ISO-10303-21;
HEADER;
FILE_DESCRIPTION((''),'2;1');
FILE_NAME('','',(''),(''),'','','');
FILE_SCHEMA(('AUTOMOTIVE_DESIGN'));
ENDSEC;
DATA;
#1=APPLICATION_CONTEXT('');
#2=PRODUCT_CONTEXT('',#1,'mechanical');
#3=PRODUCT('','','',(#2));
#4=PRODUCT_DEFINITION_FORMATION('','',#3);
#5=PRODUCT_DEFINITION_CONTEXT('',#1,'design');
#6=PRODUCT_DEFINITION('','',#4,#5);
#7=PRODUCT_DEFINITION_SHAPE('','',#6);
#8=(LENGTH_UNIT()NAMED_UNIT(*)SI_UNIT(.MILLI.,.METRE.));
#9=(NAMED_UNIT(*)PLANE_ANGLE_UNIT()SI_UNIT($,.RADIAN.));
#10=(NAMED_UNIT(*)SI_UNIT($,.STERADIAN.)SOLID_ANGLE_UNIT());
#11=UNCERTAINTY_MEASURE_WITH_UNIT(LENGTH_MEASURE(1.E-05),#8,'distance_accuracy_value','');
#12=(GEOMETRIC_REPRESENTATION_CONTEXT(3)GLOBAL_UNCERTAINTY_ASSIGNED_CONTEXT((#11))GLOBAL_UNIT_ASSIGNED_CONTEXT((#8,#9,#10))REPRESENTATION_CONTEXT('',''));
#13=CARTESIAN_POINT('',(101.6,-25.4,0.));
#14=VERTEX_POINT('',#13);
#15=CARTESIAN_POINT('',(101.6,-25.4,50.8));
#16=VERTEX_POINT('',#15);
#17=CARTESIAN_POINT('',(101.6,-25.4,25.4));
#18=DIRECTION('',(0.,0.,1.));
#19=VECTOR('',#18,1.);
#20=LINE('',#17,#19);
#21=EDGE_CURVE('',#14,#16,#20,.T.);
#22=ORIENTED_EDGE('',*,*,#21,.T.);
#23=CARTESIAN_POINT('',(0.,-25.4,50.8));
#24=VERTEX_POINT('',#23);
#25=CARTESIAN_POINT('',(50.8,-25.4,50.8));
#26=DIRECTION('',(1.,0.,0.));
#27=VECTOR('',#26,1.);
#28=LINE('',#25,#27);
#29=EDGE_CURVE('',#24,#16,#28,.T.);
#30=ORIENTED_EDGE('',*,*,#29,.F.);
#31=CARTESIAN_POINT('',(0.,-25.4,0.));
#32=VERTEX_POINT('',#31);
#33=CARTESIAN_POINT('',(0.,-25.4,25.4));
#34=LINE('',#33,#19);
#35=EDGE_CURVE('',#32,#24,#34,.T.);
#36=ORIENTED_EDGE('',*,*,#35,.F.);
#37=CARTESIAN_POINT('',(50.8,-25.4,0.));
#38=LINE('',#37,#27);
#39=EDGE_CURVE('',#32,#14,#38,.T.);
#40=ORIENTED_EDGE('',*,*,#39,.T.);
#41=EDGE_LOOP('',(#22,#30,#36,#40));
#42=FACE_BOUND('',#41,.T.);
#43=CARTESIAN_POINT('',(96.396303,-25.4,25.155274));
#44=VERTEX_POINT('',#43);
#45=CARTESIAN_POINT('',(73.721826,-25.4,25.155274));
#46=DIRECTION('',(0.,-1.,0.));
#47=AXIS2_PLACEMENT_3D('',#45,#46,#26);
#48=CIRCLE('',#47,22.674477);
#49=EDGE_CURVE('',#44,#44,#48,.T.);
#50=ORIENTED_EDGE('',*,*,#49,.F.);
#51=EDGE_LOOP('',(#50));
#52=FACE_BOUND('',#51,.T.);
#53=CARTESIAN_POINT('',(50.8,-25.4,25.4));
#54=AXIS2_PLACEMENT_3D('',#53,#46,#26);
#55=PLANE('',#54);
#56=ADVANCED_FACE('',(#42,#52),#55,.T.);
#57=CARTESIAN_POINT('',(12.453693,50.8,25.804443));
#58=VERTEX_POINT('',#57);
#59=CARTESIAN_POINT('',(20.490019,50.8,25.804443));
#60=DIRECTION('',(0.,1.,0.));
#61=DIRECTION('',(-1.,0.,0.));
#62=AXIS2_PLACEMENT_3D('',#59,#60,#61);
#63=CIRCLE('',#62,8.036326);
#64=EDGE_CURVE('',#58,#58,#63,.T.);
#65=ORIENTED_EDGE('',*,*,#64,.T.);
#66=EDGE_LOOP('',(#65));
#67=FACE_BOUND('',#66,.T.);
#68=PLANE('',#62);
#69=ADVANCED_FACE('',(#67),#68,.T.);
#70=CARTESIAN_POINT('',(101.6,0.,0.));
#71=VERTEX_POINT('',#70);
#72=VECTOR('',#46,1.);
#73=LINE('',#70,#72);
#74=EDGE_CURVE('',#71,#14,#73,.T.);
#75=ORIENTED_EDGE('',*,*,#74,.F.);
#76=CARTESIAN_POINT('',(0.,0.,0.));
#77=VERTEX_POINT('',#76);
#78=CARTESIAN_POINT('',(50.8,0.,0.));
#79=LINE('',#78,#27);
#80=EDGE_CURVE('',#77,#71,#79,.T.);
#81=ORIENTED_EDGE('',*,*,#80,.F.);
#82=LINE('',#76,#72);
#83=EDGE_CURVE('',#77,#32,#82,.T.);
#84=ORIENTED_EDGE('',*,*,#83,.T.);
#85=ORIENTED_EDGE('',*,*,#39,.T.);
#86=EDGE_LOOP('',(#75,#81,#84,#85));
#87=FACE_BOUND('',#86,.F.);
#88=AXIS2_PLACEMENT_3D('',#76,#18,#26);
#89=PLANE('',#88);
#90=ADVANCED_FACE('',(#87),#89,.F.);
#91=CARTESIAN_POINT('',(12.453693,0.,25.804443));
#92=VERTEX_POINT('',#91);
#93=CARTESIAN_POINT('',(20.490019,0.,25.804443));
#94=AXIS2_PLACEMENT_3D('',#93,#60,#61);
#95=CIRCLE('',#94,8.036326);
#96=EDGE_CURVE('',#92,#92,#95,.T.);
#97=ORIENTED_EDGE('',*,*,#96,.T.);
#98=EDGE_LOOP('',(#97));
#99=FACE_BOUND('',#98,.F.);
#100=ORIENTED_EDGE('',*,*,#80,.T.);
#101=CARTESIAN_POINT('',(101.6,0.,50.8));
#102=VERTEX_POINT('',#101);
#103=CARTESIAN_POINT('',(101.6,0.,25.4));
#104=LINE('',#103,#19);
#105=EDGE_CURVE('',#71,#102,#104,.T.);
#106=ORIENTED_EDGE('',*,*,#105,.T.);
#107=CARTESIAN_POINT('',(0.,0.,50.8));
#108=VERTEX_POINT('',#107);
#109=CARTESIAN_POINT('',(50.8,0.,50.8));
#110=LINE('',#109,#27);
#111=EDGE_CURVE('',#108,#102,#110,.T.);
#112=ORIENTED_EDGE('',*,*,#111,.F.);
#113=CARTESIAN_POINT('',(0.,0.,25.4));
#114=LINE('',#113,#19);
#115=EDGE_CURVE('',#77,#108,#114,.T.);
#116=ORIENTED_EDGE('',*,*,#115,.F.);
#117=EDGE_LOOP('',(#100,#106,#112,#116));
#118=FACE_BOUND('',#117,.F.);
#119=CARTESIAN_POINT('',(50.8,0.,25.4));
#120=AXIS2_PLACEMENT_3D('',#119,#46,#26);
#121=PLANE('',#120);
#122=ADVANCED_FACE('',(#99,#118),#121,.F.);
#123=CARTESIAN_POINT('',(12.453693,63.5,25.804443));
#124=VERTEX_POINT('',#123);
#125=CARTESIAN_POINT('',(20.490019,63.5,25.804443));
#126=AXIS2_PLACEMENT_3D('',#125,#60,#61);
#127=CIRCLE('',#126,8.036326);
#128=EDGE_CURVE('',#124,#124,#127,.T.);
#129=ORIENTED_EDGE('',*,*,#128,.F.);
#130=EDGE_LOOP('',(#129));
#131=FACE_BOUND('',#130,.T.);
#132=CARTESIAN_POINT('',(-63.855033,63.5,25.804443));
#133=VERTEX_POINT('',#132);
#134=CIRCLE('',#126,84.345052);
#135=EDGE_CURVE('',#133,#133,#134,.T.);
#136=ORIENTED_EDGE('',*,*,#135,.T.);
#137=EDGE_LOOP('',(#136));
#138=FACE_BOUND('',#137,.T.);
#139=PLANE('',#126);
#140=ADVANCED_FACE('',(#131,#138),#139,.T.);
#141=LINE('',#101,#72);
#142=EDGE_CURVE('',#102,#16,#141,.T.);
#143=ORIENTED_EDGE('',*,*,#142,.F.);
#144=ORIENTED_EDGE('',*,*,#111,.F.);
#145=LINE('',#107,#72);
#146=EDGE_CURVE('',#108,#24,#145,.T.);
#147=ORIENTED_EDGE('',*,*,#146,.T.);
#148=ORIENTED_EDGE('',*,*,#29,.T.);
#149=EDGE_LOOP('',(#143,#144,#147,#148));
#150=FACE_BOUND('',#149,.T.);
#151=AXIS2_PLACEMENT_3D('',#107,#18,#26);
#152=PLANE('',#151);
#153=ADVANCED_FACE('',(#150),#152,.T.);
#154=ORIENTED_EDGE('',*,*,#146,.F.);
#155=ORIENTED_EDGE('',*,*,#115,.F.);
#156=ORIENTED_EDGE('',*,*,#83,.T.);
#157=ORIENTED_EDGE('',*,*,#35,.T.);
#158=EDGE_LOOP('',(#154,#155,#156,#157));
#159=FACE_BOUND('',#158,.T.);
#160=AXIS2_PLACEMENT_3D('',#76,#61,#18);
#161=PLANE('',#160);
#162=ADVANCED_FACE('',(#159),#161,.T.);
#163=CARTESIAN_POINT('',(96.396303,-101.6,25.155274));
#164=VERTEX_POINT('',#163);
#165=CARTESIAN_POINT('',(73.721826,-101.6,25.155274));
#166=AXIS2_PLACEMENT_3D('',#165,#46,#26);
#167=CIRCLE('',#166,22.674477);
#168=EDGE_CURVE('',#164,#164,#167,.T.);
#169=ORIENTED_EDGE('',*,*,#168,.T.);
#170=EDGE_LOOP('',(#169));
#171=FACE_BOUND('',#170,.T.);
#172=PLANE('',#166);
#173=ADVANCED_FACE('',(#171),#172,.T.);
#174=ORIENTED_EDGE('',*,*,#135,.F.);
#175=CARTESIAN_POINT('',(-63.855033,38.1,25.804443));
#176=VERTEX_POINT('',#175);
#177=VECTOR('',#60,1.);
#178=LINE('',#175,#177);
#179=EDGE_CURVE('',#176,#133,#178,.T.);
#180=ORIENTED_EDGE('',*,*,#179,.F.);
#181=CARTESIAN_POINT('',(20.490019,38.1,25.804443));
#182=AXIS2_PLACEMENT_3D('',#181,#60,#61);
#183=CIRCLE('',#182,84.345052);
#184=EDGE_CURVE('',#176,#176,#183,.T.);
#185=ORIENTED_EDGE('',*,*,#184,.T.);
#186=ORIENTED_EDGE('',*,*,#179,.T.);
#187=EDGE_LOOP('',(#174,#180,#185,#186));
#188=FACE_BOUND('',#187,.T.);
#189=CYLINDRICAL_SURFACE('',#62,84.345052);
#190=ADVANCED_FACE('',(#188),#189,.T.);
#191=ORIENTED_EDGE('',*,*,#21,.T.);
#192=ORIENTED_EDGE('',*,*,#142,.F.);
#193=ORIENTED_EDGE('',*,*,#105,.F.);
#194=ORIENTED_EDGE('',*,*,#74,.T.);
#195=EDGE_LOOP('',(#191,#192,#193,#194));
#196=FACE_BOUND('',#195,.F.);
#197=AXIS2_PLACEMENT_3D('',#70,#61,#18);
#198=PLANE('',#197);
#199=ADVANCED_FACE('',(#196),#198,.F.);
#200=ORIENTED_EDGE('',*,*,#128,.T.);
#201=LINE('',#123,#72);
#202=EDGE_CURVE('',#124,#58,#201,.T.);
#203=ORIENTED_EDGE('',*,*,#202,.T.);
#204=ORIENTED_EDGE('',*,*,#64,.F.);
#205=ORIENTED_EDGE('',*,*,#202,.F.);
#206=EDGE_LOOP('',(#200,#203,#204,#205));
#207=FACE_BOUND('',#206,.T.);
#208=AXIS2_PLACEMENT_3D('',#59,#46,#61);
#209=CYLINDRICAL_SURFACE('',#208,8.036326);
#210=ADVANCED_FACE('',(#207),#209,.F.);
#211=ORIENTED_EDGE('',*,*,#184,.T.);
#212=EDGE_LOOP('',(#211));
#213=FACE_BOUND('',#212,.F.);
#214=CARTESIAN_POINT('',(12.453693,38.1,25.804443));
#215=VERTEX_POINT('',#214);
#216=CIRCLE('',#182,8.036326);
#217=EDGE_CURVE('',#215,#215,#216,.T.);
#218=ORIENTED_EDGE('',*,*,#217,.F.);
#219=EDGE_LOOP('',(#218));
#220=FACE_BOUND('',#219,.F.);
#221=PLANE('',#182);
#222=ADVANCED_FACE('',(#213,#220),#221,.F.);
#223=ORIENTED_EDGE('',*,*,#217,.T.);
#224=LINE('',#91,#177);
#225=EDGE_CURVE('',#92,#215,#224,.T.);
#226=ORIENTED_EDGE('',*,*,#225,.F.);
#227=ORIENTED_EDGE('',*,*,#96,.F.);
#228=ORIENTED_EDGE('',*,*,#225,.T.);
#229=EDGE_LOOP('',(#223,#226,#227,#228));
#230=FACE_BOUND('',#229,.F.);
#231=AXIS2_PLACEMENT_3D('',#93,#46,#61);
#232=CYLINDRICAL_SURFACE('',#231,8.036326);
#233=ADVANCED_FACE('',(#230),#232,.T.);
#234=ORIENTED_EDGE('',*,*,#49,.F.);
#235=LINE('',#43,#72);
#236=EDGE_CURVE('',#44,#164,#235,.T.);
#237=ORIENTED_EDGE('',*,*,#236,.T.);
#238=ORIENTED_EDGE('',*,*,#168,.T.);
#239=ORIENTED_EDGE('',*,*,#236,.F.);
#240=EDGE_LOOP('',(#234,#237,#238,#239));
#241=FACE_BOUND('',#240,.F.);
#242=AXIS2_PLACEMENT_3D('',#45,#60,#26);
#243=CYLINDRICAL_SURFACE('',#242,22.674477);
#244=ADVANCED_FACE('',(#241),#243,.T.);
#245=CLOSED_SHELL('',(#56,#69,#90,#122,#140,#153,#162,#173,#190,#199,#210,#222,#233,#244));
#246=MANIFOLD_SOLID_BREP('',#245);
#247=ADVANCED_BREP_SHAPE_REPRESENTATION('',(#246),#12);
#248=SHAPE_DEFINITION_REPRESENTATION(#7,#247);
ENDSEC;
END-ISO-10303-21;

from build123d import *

# Parameters (mm, degrees)
F0_W     = 101.6
F0_H     = 50.8
F1_DEPTH = 25.4
F2_R     = 22.674477
F3_DEPTH = 76.2
F4_R     = 8.036326
F5_DEPTH = 50.8
F6_R     = 84.345052
F6_R_2   = 8.036326
F7_DEPTH = 12.7


with BuildPart() as f1:
    # F0 (on Front) → F1 (new body)
    with BuildSketch(Plane.XZ):
        with Locations((50.8, 25.4)):
            Rectangle(F0_W, F0_H)
    extrude(amount=F1_DEPTH)

    # F2 (on face) → F3 (join)
    with BuildSketch(Plane.XZ.offset(25.4)):
        with Locations((73.721826, 25.155274)):
            Circle(F2_R)
    extrude(amount=F3_DEPTH)

    # F4 (on face) → F5 (join)
    with BuildSketch(Plane(origin=(0, 0, 0), x_dir=(-1, 0, 0), z_dir=(0, 1, 0))):
        with Locations((-20.490019, 25.804443)):
            Circle(F4_R)
    extrude(amount=F5_DEPTH)

    # F6 (on face) → F7 (join, symmetric)
    with BuildSketch(Plane(origin=(0, 50.8, 0), x_dir=(-1, 0, 0), z_dir=(0, 1, 0))):
        with Locations((-20.490019, 25.804443)):
            Circle(F6_R)
        with Locations((-20.490019, 25.804443)):
            Circle(F6_R_2, mode=Mode.SUBTRACT)
    extrude(amount=F7_DEPTH, both=True)


solid = f1.part
